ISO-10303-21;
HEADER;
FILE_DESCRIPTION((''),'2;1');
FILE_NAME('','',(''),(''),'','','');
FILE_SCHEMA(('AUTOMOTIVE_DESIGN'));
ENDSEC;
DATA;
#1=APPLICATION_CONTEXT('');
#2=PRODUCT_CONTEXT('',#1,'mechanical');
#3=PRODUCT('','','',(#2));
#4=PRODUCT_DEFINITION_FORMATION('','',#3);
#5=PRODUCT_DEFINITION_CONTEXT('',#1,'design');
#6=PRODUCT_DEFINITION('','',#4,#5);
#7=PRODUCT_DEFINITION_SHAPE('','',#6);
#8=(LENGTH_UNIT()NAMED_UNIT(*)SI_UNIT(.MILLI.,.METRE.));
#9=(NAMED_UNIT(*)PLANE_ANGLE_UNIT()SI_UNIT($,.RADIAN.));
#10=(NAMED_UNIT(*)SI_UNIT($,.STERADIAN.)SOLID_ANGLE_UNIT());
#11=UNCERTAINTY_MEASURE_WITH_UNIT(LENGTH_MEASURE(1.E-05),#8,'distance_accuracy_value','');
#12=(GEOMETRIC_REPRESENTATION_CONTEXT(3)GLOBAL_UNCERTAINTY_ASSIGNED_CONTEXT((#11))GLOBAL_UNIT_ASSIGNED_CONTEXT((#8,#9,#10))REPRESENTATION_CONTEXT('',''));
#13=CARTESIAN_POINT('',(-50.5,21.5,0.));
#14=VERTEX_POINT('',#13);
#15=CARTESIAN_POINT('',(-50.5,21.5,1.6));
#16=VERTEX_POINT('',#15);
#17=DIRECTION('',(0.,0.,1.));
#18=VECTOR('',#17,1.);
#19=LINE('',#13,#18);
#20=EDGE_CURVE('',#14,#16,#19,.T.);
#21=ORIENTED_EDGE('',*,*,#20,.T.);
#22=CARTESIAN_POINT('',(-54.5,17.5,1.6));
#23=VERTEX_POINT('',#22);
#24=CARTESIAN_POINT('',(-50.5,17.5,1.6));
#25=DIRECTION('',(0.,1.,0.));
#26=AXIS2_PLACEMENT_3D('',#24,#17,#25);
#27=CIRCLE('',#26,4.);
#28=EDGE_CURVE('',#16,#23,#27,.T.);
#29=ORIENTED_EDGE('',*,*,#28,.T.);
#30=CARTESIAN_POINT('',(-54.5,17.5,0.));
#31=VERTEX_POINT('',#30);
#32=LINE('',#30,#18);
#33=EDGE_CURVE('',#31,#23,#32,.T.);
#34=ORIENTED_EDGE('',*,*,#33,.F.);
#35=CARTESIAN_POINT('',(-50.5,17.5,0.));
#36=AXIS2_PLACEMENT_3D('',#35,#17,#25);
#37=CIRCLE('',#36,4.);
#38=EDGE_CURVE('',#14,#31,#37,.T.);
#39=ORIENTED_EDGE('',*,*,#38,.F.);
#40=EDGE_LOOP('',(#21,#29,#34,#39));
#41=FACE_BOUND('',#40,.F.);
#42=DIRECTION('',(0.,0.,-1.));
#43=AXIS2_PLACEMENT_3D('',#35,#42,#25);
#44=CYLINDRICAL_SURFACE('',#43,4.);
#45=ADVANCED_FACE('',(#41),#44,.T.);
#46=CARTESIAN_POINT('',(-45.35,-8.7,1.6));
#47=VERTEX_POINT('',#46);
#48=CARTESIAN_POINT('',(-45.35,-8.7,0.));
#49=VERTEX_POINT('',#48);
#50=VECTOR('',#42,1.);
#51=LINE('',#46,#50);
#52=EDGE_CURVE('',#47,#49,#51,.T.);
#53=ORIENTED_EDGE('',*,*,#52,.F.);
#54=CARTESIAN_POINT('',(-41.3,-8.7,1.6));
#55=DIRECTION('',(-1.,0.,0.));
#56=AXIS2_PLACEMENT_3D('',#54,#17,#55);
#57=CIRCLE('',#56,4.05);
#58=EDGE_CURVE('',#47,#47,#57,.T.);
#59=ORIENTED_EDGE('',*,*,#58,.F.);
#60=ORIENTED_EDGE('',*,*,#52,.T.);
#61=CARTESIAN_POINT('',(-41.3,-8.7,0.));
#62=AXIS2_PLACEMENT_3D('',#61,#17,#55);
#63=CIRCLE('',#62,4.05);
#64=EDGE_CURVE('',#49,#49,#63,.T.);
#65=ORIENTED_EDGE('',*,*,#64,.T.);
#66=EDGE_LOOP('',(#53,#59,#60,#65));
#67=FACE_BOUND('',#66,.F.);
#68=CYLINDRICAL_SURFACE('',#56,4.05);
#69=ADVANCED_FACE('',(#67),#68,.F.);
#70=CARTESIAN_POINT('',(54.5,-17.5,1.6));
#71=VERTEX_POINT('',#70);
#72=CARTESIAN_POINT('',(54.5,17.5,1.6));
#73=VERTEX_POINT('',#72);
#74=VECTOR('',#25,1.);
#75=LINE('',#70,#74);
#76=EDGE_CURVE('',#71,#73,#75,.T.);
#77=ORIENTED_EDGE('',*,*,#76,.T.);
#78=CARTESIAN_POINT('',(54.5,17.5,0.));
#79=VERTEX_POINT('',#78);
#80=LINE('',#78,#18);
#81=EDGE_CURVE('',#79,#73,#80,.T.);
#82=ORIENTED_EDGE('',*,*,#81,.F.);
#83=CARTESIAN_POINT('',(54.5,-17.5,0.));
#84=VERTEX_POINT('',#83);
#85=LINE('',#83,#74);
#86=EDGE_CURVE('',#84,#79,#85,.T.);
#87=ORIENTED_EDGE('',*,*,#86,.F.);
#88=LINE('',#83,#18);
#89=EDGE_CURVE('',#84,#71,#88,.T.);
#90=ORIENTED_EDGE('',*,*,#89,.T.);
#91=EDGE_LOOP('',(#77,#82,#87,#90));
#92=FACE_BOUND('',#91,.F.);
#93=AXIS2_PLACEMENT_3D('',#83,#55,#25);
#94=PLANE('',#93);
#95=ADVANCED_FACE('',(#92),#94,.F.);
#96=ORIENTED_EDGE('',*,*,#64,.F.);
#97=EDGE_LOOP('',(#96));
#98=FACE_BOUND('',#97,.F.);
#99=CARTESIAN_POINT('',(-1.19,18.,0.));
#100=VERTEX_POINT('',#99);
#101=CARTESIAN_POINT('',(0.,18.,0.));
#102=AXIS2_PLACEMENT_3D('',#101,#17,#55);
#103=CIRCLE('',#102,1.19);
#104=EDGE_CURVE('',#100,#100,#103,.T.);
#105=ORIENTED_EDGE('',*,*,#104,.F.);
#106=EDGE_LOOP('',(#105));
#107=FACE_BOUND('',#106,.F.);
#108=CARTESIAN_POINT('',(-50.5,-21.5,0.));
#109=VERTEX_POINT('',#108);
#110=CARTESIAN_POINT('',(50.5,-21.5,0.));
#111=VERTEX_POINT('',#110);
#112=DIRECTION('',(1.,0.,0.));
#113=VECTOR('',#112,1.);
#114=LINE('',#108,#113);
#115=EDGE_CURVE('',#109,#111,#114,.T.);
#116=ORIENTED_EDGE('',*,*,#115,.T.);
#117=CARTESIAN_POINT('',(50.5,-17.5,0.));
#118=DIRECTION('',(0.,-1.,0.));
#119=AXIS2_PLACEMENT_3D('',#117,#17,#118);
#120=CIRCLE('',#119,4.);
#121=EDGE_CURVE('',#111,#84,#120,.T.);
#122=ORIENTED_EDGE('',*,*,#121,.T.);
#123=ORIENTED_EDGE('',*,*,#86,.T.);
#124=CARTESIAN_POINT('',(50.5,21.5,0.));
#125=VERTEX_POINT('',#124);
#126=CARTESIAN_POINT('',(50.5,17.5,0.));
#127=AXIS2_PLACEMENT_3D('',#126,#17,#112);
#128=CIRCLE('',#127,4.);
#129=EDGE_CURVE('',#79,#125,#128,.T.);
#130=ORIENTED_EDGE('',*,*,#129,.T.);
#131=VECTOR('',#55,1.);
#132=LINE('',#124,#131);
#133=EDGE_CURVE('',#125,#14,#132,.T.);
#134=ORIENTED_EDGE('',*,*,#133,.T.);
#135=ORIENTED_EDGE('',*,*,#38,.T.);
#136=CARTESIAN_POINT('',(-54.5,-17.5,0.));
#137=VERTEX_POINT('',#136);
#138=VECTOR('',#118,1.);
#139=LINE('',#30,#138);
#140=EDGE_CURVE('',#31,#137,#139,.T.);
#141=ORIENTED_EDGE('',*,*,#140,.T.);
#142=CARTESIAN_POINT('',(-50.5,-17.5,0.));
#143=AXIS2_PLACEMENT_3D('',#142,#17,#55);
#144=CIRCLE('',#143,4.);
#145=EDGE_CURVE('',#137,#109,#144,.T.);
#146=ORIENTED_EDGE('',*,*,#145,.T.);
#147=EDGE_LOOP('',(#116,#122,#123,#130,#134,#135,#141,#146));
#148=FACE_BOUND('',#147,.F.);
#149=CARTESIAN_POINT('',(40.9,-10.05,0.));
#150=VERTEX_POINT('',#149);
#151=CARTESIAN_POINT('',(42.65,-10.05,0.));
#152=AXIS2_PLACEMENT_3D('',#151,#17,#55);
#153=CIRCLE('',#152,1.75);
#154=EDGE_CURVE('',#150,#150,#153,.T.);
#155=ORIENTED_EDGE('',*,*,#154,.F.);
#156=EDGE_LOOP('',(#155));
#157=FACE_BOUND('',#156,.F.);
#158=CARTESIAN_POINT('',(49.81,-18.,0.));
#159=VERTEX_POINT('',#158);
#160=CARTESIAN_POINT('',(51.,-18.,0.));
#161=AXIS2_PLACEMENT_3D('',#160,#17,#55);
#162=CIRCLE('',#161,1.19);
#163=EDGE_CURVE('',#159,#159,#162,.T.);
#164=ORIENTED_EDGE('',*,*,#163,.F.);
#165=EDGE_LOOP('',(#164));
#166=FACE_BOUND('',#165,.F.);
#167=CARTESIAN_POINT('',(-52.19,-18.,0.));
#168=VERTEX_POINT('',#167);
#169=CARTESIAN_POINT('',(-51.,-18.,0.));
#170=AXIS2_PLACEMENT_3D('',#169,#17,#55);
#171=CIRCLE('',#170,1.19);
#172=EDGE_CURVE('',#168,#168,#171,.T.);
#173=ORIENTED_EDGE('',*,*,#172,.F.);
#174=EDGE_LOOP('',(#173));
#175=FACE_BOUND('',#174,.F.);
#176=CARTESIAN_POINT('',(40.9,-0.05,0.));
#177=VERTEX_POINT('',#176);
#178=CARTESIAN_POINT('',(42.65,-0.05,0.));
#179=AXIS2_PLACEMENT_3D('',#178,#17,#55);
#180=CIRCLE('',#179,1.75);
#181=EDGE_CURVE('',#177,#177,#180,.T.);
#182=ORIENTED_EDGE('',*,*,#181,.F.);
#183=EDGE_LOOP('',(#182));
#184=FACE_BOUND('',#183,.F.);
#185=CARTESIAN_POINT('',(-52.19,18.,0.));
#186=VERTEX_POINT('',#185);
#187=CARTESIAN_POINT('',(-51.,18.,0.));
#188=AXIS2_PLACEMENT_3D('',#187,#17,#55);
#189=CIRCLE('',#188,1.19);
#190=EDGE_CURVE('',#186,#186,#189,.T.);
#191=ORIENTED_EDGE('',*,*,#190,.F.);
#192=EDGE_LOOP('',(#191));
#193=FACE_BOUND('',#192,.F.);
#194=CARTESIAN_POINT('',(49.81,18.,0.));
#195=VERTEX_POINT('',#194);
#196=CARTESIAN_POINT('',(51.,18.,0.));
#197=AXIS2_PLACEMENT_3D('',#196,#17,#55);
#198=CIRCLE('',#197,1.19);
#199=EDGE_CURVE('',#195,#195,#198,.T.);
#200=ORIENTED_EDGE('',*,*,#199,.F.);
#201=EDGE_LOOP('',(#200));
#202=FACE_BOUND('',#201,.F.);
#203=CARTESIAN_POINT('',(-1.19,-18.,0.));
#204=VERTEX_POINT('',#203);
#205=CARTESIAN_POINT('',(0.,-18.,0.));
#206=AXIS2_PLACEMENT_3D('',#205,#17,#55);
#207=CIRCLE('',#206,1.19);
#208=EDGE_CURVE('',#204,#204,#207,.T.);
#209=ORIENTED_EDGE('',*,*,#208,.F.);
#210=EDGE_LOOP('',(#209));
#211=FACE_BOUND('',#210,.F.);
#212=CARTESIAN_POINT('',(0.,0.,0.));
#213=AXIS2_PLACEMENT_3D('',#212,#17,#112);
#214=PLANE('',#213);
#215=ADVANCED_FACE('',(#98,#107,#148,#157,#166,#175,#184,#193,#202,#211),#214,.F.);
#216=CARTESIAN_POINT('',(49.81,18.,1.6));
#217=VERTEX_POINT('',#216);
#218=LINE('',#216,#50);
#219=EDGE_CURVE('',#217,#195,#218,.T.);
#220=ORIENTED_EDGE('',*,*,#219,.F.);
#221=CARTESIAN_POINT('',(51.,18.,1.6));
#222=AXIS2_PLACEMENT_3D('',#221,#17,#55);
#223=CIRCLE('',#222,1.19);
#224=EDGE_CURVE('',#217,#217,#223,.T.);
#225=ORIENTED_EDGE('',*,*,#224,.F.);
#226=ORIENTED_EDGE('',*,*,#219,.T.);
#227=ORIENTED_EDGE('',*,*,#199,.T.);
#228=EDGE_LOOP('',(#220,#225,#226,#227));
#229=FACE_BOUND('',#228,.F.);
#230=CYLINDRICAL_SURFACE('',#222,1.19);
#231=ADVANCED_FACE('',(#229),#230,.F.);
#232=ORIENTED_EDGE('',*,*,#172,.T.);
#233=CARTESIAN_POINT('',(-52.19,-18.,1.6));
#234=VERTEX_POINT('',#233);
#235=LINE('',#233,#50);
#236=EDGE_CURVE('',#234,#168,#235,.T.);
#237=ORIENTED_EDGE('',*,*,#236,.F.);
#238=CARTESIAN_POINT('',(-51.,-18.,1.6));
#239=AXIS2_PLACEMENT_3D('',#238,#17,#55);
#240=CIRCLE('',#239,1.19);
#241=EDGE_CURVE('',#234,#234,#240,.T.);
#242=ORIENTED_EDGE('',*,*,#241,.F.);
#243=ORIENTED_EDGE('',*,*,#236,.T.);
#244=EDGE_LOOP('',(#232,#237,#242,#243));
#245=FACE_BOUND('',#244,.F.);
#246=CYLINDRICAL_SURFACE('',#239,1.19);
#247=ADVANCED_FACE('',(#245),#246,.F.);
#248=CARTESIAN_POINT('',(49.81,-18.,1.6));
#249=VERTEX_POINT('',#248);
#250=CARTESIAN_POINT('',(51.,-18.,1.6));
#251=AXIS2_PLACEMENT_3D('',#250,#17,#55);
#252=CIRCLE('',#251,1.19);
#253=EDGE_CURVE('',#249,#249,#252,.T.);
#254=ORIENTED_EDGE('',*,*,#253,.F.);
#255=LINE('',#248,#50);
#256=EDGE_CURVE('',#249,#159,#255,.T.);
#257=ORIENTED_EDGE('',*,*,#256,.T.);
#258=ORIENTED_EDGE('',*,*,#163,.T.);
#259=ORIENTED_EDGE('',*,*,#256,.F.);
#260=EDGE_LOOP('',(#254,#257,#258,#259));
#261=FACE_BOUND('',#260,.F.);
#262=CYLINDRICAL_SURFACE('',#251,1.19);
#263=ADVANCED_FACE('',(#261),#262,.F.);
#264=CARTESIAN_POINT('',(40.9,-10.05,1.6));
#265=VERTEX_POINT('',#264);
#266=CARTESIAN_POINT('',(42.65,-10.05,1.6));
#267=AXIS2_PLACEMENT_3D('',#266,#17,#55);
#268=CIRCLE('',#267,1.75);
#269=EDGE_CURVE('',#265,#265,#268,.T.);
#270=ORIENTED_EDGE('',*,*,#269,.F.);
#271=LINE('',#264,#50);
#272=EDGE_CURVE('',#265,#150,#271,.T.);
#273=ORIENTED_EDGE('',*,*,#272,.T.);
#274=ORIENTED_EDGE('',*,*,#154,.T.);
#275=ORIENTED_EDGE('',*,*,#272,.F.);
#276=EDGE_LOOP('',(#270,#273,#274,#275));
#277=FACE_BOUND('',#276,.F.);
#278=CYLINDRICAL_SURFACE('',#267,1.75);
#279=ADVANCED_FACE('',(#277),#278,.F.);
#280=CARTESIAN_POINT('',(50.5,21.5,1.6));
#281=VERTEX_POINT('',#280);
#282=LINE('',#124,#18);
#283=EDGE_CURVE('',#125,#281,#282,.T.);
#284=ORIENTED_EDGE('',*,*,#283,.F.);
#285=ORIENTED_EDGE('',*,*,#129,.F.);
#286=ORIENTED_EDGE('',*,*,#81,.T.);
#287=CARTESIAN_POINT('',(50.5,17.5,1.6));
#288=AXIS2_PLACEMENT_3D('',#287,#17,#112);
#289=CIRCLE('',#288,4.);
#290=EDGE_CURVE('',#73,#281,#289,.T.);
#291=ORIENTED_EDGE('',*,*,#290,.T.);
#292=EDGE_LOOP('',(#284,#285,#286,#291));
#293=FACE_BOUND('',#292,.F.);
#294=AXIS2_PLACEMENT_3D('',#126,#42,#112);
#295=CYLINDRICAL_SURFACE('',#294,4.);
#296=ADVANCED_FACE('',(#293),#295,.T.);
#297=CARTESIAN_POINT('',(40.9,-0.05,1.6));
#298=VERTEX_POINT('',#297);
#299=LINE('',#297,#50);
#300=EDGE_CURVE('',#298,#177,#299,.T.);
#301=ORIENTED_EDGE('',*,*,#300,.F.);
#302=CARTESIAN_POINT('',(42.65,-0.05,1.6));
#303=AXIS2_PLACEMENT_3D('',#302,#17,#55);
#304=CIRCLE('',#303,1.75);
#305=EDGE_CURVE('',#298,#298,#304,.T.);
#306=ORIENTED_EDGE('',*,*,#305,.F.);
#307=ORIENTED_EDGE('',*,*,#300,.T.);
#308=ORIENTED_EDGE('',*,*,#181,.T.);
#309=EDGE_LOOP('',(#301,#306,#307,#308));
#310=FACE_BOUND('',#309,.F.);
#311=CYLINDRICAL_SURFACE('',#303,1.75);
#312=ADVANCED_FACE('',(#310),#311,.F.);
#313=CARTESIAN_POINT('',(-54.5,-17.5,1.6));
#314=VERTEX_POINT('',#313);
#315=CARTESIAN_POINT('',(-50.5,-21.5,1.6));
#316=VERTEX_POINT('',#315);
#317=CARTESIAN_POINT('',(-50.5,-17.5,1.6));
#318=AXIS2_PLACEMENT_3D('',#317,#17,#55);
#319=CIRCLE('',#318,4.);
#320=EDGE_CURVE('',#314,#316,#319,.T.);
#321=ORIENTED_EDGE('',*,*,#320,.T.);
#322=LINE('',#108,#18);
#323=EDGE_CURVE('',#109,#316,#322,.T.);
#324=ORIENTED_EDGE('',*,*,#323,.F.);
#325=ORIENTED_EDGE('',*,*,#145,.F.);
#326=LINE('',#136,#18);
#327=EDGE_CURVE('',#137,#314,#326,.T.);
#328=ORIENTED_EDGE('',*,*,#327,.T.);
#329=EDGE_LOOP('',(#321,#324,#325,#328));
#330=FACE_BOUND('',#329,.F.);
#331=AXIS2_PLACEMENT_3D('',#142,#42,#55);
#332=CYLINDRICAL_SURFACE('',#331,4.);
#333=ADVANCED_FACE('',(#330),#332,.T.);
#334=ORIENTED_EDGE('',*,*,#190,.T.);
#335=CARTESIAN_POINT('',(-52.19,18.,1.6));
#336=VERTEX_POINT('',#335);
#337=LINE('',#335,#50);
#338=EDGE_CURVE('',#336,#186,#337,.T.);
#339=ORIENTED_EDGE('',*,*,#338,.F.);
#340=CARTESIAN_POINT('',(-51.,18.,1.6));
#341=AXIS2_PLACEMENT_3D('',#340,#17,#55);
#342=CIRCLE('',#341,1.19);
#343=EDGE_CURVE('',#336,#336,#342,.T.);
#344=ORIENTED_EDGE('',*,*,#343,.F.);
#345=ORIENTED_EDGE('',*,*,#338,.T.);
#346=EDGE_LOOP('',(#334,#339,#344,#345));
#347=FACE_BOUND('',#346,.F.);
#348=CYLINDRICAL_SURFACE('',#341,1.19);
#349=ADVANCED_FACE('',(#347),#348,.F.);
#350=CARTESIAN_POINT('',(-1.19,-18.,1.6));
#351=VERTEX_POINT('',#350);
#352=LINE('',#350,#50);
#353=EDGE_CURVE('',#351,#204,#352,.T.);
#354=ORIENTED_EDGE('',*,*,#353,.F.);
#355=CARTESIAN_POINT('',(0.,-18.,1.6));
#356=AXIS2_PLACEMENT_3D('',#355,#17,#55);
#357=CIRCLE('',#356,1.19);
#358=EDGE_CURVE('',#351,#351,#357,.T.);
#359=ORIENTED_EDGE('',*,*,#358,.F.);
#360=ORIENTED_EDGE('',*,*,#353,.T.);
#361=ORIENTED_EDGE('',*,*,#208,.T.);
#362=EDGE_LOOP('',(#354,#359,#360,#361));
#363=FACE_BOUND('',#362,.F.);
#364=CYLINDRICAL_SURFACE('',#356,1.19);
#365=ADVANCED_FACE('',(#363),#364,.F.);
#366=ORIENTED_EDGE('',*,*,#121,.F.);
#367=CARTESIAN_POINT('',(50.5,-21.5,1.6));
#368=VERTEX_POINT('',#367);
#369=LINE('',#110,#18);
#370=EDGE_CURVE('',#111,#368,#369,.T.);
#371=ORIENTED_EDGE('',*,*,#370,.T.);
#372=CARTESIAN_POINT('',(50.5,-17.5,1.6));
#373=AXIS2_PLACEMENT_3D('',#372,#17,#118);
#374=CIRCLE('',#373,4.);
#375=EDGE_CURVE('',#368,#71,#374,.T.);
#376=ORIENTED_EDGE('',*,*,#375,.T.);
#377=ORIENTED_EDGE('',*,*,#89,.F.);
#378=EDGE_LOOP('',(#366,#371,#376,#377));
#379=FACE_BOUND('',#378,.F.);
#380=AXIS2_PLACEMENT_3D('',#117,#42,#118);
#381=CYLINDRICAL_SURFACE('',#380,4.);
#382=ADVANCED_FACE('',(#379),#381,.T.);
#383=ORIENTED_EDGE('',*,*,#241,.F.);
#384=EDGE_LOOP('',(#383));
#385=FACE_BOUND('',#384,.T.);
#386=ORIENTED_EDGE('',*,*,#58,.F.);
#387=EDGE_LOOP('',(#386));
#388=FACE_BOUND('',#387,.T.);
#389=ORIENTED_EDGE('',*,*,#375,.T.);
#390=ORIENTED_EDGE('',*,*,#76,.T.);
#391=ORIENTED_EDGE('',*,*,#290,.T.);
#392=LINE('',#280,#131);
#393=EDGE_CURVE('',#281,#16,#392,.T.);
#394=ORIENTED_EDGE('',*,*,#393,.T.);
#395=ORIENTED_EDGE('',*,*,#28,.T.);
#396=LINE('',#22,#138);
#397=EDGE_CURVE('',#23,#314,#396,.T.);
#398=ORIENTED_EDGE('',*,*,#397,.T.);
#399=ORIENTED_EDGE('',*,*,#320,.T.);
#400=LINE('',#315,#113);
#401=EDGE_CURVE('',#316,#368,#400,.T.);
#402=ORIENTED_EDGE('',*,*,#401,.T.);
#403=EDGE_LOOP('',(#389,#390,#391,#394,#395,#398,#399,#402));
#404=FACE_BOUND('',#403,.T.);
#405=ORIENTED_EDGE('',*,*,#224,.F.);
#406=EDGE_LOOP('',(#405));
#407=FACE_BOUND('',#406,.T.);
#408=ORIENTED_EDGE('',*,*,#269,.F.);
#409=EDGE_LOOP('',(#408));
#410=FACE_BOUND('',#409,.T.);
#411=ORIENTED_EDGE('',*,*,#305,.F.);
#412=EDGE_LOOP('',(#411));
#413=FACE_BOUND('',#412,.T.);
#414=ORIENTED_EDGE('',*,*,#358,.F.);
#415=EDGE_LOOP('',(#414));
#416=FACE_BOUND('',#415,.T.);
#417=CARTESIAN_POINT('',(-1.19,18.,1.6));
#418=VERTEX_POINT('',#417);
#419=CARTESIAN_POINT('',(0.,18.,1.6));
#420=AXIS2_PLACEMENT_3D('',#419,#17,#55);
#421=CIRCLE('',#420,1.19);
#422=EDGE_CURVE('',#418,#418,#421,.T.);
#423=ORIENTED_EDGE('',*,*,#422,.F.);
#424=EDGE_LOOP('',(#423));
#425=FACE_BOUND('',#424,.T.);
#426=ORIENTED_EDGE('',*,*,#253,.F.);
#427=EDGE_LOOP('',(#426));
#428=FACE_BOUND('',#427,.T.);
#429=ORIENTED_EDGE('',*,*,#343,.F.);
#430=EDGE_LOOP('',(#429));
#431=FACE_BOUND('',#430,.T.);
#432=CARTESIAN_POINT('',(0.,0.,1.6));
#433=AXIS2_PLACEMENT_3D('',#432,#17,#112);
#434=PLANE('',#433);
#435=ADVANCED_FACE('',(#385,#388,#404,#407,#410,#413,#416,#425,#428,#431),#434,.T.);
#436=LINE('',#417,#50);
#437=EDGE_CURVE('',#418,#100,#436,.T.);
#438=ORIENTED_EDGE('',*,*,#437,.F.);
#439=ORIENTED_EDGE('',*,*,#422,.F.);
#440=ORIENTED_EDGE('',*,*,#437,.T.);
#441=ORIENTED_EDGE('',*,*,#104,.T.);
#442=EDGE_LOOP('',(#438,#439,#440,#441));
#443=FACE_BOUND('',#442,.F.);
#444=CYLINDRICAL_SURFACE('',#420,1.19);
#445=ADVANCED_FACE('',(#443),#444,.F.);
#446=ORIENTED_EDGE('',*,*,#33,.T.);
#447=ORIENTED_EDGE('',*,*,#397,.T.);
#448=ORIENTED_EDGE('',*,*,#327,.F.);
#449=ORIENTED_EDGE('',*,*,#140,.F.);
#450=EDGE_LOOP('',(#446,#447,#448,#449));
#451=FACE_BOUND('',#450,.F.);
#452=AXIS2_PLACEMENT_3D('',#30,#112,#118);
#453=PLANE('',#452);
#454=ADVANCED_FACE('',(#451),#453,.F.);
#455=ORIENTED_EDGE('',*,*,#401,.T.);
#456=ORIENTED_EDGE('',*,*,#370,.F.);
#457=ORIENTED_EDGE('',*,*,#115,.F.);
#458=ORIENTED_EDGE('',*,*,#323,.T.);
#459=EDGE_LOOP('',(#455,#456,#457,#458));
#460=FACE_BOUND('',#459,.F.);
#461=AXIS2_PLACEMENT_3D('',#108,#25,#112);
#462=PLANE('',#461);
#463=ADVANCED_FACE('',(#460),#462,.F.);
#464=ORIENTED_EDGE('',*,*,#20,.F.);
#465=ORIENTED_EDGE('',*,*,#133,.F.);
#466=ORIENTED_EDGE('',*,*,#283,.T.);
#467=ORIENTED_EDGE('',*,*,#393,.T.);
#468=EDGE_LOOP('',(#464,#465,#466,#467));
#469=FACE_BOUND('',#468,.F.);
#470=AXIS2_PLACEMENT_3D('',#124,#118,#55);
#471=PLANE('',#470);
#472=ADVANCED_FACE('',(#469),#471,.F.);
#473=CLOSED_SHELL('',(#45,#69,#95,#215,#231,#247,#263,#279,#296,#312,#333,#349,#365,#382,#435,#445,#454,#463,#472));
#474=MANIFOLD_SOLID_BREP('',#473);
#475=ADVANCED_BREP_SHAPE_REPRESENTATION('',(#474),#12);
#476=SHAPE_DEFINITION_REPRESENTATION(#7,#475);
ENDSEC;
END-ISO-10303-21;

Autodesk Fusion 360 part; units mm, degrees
sketch "Main Body" plane through (0, 0, 0) normal (0, 0, 1) x (1, 0, 0)
  line L0 (50.5, 21.5) -> (-50.5, 21.5)
  line L1 (-54.5, 17.5) -> (-54.5, -17.5)
  line L2 (-50.5, -21.5) -> (50.5, -21.5)
  line L3 (54.5, -17.5) -> (54.5, 17.5)
  arc A0 (-50.5, 21.5) -> (-54.5, 17.5) centre (-50.5, 17.5) ccw
  arc A1 (-54.5, -17.5) -> (-50.5, -21.5) centre (-50.5, -17.5) ccw
  arc A2 (50.5, -21.5) -> (54.5, -17.5) centre (50.5, -17.5) ccw
  arc A3 (54.5, 17.5) -> (50.5, 21.5) centre (50.5, 17.5) ccw
  line L4 (-54.5, 0) -> (54.5, 0) construction
  line L5 (0, 21.5) -> (0, -21.5) construction
  dimension "d3" = 4
  dimension "d4" = 4
  dimension "d5" = 4
  dimension "d6" = 4
  dimension "d7" = 109
  dimension "d8" = 43
extrude "Extrude1" add sketch "Main Body" along normal blind 1.6
sketch "Screw Holes" plane through (0, 0, 1.6) normal (0, 0, 1) x (-1, 0, 0)
  arc A0 (-54.5, -17.5) -> (-50.5, -21.5) centre (-50.5, -17.5) ccw
  line L0 (-50.5, -21.5) -> (50.5, -21.5)
  arc A1 (50.5, -21.5) -> (54.5, -17.5) centre (50.5, -17.5) ccw
  line L1 (54.5, -17.5) -> (54.5, 17.5)
  arc A2 (54.5, 17.5) -> (50.5, 21.5) centre (50.5, 17.5) ccw
  line L2 (50.5, 21.5) -> (-50.5, 21.5)
  arc A3 (-50.5, 21.5) -> (-54.5, 17.5) centre (-50.5, 17.5) ccw
  line L3 (-54.5, 17.5) -> (-54.5, -17.5)
  circle A4 centre (-51, 18) radius 1.19
  line L4 (51, 0) -> (-51, 0) construction
  line L5 (0, -18) -> (0, 18) construction
  line L6 (-51, -18) -> (-51, 18) construction
  line L7 (51, -18) -> (51, 18) construction
  circle A5 centre (-51, -18) radius 1.19
  circle A6 centre (0, 18) radius 1.19
  circle A7 centre (0, -18) radius 1.19
  circle A8 centre (51, -18) radius 1.19
  circle A9 centre (51, 18) radius 1.19
  dimension "d11" = 2.38
  dimension "d12" = 102
  dimension "d13" = 36
  dimension "d14" = 36
  dimension "d15" = 36
  dimension "d16" = 2.38
  dimension "d17" = 2.38
  dimension "d18" = 2.38
  dimension "d19" = 2.38
  dimension "d20" = 2.38
extrude "Extrude2" cut sketch "Screw Holes" against normal blind 1.6 contours A4 | A5 | A6 | A7 | A8 | A9
sketch "Button Holes" plane through (0, 0, 1.6) normal (0, 0, 1) x (-1, 0, 0)
  circle A0 centre (0, 18) radius 1.19
  circle A1 centre (0, -18) radius 1.19
  circle A2 centre (51, -18) radius 1.19
  circle A3 centre (-51, 18) radius 1.19
  circle A4 centre (-51, -18) radius 1.19
  circle A5 centre (51, 18) radius 1.19
  arc A6 (-54.5, -17.5) -> (-50.5, -21.5) centre (-50.5, -17.5) ccw
  line L0 (-50.5, -21.5) -> (50.5, -21.5)
  arc A7 (50.5, -21.5) -> (54.5, -17.5) centre (50.5, -17.5) ccw
  line L1 (54.5, -17.5) -> (54.5, 17.5)
  arc A8 (54.5, 17.5) -> (50.5, 21.5) centre (50.5, 17.5) ccw
  line L2 (50.5, 21.5) -> (-50.5, 21.5)
  arc A9 (-50.5, 21.5) -> (-54.5, 17.5) centre (-50.5, 17.5) ccw
  line L3 (-54.5, 17.5) -> (-54.5, -17.5)
  line L4 (-42.65, 0.05) -> (-42.65, 10.05) construction
  circle A10 centre (-42.65, 0.05) radius 1.75
  circle A11 centre (-42.65, 10.05) radius 1.75
  line L5 (0, 0) -> (-42.65, 0) construction
  line L6 (-42.65, 0) -> (-42.65, 0.05)
  dimension "d23" = 10
  dimension "d24" = 3.5
  dimension "d25" = 3.5
  dimension "d26" = 42.65
  dimension "d27" = 0.05
extrude "Extrude3" cut sketch "Button Holes" against normal blind 1.6 contours A10 | A11
sketch "Power Jack Hole" plane through (0, 0, 1.6) normal (0, 0, 1) x (-1, 0, 0)
  circle A0 centre (-42.65, 0.05) radius 1.75
  circle A1 centre (-42.65, 10.05) radius 1.75
  circle A2 centre (0, 18) radius 1.19
  circle A3 centre (0, -18) radius 1.19
  circle A4 centre (51, -18) radius 1.19
  circle A5 centre (-51, 18) radius 1.19
  circle A6 centre (-51, -18) radius 1.19
  circle A7 centre (51, 18) radius 1.19
  arc A8 (-54.5, -17.5) -> (-50.5, -21.5) centre (-50.5, -17.5) ccw
  line L0 (-50.5, -21.5) -> (50.5, -21.5)
  arc A9 (50.5, -21.5) -> (54.5, -17.5) centre (50.5, -17.5) ccw
  line L1 (54.5, -17.5) -> (54.5, 17.5)
  arc A10 (54.5, 17.5) -> (50.5, 21.5) centre (50.5, 17.5) ccw
  line L2 (50.5, 21.5) -> (-50.5, 21.5)
  arc A11 (-50.5, 21.5) -> (-54.5, 17.5) centre (-50.5, 17.5) ccw
  line L3 (-54.5, 17.5) -> (-54.5, -17.5)
  line L4 (0, 0) -> (41.3, 0) construction
  line L5 (41.3, 0) -> (41.3, 8.7) construction
  circle A12 centre (41.3, 8.7) radius 4.05
  dimension "d30" = 41.3
  dimension "d31" = 8.7
  dimension "d32" = 8.1
extrude "Extrude4" cut sketch "Power Jack Hole" against normal blind 1.6 contours A12
